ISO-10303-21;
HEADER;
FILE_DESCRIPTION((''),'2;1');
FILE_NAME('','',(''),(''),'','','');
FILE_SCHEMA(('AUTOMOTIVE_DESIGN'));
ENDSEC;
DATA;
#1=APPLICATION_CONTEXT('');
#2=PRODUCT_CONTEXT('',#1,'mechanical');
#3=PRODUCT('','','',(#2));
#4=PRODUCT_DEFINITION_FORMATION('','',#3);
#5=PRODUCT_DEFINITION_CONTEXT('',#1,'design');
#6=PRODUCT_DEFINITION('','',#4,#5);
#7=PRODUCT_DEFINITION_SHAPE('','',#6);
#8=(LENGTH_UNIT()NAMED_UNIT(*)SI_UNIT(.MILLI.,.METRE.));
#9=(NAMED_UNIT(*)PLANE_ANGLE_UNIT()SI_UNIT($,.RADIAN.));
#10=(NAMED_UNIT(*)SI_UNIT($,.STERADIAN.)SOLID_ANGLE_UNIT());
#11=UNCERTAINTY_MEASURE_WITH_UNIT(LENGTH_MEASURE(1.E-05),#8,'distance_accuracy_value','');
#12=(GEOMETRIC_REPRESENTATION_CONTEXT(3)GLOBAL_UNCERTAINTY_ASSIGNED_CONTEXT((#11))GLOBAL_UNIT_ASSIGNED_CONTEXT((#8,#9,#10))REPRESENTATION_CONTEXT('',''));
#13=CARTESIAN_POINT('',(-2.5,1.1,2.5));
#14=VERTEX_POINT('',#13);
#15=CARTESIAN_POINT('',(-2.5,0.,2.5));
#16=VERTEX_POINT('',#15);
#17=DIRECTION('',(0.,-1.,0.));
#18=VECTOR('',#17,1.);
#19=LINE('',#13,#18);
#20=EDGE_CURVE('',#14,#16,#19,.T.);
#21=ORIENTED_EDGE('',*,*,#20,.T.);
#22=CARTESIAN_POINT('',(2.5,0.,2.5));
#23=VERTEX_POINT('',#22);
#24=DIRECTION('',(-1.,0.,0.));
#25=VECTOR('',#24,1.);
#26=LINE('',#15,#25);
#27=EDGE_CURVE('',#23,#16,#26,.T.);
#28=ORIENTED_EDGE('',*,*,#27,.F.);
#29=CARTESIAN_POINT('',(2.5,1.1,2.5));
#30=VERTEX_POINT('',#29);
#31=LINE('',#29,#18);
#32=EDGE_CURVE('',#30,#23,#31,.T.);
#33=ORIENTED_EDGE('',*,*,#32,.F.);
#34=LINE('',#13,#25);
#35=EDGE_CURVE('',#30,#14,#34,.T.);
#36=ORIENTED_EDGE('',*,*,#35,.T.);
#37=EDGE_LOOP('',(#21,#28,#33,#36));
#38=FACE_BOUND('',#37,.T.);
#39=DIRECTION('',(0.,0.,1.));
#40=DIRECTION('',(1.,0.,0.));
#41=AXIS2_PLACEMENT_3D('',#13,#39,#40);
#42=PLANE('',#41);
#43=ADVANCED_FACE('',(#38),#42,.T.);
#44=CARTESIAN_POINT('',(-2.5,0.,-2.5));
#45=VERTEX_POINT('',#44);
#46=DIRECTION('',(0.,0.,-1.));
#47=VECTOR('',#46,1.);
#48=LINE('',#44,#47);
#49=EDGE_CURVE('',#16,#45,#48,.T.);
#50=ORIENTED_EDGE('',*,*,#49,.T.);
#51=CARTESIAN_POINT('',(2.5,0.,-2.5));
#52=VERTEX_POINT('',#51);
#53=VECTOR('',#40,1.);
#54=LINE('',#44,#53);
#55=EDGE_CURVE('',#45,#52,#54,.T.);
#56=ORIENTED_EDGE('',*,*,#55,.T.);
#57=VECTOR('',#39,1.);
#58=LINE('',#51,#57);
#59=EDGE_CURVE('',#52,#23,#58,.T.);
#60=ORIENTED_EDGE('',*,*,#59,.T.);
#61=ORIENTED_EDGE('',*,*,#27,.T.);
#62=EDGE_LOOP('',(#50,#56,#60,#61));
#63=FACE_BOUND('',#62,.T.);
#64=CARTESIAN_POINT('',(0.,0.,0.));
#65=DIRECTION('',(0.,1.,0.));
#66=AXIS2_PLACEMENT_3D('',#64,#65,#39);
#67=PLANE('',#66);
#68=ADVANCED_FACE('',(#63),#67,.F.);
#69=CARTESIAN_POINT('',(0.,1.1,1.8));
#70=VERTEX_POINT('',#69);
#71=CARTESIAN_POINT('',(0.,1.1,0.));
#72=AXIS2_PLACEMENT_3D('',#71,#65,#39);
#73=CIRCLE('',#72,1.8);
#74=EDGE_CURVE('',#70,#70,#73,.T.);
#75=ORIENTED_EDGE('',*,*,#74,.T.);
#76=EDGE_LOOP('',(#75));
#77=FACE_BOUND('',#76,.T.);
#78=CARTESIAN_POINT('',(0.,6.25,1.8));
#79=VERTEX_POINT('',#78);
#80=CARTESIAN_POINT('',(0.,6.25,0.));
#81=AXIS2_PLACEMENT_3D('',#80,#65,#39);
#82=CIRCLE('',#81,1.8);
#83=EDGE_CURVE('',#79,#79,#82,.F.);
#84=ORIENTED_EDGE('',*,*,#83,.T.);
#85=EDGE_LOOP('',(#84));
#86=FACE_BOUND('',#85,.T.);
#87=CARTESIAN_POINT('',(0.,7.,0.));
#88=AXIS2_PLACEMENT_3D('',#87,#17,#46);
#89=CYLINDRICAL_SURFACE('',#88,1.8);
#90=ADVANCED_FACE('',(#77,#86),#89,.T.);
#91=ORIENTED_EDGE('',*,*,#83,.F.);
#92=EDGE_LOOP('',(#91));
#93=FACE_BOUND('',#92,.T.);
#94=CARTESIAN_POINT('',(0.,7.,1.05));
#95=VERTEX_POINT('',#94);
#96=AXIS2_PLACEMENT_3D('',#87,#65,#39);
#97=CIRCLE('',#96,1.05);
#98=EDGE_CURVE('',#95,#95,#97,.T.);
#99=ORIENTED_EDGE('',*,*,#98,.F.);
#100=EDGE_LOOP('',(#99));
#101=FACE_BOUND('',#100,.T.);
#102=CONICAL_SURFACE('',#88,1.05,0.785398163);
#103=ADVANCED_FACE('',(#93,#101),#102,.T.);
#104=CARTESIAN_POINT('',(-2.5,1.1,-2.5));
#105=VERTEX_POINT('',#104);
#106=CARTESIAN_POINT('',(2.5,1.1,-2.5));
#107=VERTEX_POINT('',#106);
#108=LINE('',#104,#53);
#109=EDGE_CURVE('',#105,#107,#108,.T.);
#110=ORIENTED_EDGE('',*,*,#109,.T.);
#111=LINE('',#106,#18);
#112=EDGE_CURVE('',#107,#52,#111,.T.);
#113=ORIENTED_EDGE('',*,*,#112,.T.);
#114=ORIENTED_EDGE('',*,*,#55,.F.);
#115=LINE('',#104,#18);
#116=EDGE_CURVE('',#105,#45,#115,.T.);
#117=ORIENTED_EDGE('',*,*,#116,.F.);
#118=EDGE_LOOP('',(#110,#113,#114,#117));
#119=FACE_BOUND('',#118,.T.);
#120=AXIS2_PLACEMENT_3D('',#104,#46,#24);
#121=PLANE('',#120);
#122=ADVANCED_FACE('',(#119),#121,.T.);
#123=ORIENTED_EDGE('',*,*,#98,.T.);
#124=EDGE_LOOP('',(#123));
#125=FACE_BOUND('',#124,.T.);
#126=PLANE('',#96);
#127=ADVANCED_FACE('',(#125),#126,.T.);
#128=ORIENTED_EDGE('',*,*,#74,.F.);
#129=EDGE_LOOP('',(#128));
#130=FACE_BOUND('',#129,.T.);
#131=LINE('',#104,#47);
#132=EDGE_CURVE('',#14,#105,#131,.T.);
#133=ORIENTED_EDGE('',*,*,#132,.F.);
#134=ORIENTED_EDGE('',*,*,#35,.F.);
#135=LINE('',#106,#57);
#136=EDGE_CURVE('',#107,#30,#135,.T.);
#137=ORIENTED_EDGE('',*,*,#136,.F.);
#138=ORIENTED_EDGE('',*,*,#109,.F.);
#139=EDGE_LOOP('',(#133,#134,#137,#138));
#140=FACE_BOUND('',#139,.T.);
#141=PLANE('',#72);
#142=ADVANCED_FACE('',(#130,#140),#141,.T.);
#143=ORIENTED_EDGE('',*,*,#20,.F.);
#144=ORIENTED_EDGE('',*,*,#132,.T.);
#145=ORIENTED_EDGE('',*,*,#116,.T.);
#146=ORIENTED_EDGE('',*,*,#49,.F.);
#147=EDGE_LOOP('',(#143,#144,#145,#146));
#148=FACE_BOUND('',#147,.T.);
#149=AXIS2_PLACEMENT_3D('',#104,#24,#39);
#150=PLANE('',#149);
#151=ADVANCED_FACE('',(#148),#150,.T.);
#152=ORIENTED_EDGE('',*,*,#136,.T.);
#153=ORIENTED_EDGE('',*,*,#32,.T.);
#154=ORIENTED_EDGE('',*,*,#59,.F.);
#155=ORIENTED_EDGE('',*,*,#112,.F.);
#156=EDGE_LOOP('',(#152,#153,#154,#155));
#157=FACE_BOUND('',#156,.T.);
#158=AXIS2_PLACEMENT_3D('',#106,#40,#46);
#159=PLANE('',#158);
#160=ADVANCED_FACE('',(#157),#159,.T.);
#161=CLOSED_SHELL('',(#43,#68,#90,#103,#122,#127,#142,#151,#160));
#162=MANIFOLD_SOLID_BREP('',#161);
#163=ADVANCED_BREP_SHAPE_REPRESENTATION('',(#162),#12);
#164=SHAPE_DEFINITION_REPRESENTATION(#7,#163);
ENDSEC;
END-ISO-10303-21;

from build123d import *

# Parameters (mm, degrees)
SKETCH1_R           = 1.8
BOSS_EXTRUDE1_DEPTH = 7
SKETCH3_W           = 5
SKETCH3_H           = 5
BOSS_EXTRUDE2_DEPTH = 1.1
CHAMFER1_SIZE       = 0.75


with BuildPart() as part:
    # Sketch1 → Boss-Extrude1 (new body)
    with BuildSketch(Plane(origin=(0, 0, 0), x_dir=(1, 0, 0), z_dir=(0, 1, 0))):
        with Locations(Location((0, 0, 0), (0, 0, 270))):
            Circle(SKETCH1_R)
    extrude(amount=BOSS_EXTRUDE1_DEPTH)

    # Sketch3 → Boss-Extrude2 (add)
    with BuildSketch(Plane.XZ):
        Rectangle(SKETCH3_W, SKETCH3_H)
    extrude(amount=-BOSS_EXTRUDE2_DEPTH)

    # Chamfer1
    chamfer1_edges = [part.edges().sort_by_distance(p)[0] for p in [
        (0, 7, -1.8),
    ]]
    chamfer(chamfer1_edges, length=CHAMFER1_SIZE)


solid = part.part
